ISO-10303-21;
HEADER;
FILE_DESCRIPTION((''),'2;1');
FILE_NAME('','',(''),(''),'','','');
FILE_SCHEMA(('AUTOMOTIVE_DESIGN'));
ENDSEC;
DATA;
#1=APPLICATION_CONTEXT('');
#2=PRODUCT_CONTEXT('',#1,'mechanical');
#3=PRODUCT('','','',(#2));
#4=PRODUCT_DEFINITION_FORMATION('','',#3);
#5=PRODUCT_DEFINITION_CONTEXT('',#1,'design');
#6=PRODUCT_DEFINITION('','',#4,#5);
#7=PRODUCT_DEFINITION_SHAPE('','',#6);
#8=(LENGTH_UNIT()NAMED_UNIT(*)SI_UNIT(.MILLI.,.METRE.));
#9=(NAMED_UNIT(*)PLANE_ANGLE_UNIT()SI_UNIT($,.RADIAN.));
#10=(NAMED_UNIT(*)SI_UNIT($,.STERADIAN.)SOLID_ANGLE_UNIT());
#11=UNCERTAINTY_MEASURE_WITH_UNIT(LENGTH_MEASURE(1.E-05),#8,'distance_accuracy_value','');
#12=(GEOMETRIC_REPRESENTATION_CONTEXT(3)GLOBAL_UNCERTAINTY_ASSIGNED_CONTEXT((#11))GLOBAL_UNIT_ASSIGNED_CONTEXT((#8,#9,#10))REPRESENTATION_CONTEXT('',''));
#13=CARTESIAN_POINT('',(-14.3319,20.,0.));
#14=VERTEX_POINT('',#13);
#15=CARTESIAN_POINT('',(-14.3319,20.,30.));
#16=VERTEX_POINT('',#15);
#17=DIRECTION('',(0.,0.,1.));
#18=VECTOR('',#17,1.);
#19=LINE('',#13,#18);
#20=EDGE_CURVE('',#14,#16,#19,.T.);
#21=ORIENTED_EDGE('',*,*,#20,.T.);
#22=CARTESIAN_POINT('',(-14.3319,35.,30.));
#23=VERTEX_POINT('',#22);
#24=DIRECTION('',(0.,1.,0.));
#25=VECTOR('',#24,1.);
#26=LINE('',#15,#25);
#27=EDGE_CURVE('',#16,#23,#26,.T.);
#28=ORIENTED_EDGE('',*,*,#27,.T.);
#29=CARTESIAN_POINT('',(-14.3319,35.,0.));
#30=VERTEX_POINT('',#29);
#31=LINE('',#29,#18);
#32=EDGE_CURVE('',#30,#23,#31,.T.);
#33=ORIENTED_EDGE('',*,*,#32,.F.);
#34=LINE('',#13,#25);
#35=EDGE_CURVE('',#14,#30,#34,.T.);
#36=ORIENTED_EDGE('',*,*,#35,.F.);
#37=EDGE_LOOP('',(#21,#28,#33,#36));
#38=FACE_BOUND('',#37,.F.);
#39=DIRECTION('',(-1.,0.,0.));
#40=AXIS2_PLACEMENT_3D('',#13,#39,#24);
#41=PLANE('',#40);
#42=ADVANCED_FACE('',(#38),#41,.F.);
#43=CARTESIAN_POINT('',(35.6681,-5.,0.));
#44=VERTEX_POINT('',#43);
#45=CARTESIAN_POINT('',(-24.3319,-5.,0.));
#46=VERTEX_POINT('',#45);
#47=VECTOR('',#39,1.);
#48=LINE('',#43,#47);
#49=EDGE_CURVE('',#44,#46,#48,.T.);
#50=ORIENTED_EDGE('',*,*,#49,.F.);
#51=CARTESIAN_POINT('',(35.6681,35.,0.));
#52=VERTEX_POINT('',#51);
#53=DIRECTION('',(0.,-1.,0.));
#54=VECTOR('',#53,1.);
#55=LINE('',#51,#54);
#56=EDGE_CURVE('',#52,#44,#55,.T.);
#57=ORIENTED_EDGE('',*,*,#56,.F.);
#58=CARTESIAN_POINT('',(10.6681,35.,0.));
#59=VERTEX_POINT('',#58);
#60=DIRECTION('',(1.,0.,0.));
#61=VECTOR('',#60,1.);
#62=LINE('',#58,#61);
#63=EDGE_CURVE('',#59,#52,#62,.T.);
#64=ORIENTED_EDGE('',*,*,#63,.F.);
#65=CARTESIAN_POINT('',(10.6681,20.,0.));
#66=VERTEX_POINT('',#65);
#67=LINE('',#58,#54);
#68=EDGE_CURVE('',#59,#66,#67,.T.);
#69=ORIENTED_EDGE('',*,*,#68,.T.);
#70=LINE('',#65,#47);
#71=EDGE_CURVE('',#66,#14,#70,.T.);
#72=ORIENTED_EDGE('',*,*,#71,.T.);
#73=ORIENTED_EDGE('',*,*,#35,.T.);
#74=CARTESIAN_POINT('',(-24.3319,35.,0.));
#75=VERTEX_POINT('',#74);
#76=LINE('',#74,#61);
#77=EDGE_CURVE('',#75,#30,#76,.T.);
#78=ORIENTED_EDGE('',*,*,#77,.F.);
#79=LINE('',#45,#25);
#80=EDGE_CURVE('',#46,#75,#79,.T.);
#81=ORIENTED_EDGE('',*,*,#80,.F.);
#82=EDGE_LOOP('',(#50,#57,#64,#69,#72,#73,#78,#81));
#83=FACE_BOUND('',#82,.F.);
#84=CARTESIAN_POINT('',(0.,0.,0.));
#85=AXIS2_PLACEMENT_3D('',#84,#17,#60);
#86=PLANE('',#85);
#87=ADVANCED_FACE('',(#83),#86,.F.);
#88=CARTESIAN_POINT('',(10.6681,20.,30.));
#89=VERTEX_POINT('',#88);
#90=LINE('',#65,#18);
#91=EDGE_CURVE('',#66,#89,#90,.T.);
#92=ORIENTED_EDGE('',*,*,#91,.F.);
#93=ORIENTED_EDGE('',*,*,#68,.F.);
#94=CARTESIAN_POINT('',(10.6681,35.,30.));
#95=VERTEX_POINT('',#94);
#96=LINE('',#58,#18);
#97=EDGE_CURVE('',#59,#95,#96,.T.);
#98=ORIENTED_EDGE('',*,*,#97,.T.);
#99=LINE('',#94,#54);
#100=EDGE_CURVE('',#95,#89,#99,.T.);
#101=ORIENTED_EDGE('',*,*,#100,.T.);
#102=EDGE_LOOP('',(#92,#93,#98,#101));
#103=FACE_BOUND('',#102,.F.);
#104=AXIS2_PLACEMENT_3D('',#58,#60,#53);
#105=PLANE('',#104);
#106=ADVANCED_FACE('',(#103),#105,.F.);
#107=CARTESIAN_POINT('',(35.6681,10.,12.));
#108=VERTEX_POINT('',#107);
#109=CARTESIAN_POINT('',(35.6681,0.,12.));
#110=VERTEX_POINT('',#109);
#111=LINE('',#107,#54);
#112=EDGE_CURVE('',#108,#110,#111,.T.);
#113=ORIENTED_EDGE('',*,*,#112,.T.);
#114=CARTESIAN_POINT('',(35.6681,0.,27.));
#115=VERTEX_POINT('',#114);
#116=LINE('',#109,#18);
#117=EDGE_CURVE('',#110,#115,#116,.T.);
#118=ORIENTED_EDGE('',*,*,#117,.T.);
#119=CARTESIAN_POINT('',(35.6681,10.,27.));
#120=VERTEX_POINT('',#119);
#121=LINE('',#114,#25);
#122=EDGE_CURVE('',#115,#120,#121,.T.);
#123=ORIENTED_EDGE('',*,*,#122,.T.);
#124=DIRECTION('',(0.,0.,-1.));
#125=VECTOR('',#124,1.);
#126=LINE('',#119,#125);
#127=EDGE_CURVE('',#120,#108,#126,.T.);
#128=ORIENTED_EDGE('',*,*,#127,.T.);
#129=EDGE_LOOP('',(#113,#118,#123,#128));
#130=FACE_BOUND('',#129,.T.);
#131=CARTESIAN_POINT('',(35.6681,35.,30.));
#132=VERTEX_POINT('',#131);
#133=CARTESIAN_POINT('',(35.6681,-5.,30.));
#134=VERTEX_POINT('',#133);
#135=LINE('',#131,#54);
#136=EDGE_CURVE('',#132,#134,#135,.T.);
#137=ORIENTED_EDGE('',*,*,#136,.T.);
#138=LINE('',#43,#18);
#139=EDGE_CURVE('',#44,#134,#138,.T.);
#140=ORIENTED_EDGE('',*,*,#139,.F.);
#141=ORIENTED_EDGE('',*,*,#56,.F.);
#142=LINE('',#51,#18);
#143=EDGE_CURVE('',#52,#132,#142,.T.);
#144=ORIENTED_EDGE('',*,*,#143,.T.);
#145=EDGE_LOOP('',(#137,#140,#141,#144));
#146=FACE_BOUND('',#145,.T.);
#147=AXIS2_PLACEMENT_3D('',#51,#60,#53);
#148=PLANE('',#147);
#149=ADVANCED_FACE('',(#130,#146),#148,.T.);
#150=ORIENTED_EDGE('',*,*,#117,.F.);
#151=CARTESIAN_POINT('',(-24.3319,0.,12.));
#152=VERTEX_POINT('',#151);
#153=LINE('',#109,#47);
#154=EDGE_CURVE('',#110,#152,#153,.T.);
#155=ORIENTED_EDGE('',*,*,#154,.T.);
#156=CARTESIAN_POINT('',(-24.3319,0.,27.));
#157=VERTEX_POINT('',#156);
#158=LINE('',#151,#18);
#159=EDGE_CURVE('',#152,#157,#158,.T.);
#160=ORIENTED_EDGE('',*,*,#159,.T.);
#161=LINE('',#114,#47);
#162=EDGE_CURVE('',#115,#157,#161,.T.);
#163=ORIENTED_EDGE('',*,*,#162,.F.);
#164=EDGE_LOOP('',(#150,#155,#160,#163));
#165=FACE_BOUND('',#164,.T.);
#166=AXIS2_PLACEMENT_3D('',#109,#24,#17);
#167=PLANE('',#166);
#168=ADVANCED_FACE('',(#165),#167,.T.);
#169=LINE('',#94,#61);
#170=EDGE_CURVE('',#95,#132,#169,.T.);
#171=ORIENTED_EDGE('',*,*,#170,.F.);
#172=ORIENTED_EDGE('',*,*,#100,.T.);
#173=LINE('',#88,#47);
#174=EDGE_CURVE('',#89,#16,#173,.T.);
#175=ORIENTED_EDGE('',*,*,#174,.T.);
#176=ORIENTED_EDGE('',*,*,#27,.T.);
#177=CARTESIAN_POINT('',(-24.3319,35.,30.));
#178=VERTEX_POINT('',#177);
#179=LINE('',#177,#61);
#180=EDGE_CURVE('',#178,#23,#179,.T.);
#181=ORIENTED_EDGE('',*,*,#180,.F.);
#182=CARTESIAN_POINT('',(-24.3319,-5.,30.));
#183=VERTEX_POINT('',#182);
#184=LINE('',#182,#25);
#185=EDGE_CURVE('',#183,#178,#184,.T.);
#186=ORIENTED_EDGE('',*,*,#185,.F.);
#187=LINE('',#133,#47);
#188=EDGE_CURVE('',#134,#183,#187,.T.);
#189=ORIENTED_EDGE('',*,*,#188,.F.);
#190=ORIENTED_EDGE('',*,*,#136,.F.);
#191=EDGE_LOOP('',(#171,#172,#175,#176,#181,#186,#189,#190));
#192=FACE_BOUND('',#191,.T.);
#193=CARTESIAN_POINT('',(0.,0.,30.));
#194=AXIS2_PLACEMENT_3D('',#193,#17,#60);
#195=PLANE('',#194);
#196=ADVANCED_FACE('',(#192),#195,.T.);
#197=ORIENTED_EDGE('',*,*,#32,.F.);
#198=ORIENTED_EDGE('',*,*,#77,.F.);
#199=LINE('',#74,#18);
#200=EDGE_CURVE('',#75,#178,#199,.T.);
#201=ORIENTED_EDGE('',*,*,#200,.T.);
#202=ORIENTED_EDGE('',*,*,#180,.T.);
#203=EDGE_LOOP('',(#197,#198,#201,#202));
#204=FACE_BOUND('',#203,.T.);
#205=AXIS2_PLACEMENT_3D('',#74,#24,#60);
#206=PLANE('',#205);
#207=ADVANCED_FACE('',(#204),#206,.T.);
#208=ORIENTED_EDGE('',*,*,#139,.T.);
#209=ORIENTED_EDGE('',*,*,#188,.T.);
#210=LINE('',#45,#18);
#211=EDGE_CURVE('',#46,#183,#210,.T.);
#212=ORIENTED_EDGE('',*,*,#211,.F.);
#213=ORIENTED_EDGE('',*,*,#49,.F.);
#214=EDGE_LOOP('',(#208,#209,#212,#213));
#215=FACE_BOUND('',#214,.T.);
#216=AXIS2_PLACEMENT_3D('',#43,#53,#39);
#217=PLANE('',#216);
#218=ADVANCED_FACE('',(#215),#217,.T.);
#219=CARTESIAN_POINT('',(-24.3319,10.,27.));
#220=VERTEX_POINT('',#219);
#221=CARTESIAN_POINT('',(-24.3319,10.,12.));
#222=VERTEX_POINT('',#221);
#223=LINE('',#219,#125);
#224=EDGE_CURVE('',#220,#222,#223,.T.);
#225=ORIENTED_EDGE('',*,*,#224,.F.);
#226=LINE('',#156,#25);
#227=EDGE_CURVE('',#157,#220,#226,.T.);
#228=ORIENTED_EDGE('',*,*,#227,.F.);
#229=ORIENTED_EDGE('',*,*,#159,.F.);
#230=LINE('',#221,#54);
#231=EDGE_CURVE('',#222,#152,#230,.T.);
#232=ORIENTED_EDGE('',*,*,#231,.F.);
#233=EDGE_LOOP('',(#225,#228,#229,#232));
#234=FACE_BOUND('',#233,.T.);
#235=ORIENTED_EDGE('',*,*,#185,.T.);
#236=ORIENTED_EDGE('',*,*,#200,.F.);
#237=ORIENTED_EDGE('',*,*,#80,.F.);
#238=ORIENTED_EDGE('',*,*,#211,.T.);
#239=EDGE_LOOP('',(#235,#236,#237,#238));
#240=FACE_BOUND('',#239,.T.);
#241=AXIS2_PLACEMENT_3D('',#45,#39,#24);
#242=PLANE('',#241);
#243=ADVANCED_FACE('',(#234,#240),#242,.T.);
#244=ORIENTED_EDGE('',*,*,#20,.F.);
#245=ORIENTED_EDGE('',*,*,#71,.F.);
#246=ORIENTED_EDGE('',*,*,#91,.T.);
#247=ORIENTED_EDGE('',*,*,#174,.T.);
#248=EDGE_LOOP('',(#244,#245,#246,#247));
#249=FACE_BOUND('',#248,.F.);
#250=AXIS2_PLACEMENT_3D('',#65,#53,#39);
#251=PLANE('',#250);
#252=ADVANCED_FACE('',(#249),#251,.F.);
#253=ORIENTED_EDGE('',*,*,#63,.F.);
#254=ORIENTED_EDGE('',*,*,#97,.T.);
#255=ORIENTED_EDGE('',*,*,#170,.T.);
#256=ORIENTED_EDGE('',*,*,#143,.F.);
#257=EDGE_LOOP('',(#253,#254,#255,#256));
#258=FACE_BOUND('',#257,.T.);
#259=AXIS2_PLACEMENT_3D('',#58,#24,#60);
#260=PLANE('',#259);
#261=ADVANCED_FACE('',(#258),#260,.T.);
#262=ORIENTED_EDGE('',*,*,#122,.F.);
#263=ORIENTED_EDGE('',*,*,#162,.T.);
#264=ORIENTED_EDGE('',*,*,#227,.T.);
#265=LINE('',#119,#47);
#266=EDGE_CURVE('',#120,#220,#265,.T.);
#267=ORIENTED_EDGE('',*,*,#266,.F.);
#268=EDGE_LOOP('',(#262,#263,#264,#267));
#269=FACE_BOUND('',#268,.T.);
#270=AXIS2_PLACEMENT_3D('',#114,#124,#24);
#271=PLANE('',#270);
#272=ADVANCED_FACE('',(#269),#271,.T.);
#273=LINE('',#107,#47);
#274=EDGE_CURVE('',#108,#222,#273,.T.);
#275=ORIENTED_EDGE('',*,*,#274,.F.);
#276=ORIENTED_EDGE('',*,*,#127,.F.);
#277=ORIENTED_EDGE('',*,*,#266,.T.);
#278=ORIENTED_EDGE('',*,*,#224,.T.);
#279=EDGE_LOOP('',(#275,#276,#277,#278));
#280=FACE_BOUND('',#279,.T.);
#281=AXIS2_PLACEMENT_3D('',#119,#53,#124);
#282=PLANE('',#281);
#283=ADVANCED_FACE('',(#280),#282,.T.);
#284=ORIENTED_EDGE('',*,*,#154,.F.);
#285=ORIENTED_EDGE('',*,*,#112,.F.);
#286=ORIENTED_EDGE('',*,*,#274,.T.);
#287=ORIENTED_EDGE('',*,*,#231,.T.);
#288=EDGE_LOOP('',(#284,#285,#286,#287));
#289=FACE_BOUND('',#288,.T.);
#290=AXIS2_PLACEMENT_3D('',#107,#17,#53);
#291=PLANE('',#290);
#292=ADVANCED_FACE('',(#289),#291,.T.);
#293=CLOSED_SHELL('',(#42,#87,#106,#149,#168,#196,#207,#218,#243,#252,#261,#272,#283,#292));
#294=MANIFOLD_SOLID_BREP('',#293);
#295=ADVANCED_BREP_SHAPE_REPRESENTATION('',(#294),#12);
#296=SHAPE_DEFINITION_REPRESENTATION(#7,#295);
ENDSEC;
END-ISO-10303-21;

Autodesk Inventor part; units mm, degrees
ref_plane "YZ Plane" through (0, 0, 0) normal (1, 0, 0) x (0, 1, 0)
ref_plane "XZ Plane" through (0, 0, 0) normal (0, 1, 0) x (-1, 0, 0)
ref_plane "XY Plane" through (0, 0, 0) normal (0, 0, 1) x (1, 0, 0)
sketch "Sketch1" plane through (0, 0, 0) normal (0, 0, 1) x (1, 0, 0)
  line L0 (35.6681, 35) -> (35.6681, -5)
  line L1 (35.6681, -5) -> (-24.3319, -5)
  line L2 (-24.3319, -5) -> (-24.3319, 35)
  line L3 (10.6681, 35) -> (10.6681, 20)
  line L4 (10.6681, 20) -> (-14.3319, 20)
  line L5 (-14.3319, 20) -> (-14.3319, 35)
  line L6 (-24.3319, 35) -> (-14.3319, 35)
  line L7 (10.6681, 35) -> (35.6681, 35)
  point P0 (0, 0)
  dimension "d0" = 60
  dimension "d1" = 40
  dimension "d2" = 10
  dimension "d3" = 15
  dimension "d4" = 25
extrude "Extrusion1" add sketch "Sketch1" along normal blind 30
sketch "Sketch2" plane through (35.6681, -5, 0) normal (1, 0, 0) x (0, 0, -1)
  line L0 (-27, 15) -> (-12, 15)
  line L1 (-12, 15) -> (-12, 5)
  line L2 (-12, 5) -> (-27, 5)
  line L3 (-27, 5) -> (-27, 15)
  line L4 (0, 0) -> (-30, 0) projected
  line L5 (-30, 0) -> (-30, 40) projected
  point P0 (0, 5)
  dimension "d7" = 15
  dimension "d8" = 10
  dimension "d9" = 5
  dimension "d10" = 3
extrude "Extrusion2" cut sketch "Sketch2" against normal blind 60
